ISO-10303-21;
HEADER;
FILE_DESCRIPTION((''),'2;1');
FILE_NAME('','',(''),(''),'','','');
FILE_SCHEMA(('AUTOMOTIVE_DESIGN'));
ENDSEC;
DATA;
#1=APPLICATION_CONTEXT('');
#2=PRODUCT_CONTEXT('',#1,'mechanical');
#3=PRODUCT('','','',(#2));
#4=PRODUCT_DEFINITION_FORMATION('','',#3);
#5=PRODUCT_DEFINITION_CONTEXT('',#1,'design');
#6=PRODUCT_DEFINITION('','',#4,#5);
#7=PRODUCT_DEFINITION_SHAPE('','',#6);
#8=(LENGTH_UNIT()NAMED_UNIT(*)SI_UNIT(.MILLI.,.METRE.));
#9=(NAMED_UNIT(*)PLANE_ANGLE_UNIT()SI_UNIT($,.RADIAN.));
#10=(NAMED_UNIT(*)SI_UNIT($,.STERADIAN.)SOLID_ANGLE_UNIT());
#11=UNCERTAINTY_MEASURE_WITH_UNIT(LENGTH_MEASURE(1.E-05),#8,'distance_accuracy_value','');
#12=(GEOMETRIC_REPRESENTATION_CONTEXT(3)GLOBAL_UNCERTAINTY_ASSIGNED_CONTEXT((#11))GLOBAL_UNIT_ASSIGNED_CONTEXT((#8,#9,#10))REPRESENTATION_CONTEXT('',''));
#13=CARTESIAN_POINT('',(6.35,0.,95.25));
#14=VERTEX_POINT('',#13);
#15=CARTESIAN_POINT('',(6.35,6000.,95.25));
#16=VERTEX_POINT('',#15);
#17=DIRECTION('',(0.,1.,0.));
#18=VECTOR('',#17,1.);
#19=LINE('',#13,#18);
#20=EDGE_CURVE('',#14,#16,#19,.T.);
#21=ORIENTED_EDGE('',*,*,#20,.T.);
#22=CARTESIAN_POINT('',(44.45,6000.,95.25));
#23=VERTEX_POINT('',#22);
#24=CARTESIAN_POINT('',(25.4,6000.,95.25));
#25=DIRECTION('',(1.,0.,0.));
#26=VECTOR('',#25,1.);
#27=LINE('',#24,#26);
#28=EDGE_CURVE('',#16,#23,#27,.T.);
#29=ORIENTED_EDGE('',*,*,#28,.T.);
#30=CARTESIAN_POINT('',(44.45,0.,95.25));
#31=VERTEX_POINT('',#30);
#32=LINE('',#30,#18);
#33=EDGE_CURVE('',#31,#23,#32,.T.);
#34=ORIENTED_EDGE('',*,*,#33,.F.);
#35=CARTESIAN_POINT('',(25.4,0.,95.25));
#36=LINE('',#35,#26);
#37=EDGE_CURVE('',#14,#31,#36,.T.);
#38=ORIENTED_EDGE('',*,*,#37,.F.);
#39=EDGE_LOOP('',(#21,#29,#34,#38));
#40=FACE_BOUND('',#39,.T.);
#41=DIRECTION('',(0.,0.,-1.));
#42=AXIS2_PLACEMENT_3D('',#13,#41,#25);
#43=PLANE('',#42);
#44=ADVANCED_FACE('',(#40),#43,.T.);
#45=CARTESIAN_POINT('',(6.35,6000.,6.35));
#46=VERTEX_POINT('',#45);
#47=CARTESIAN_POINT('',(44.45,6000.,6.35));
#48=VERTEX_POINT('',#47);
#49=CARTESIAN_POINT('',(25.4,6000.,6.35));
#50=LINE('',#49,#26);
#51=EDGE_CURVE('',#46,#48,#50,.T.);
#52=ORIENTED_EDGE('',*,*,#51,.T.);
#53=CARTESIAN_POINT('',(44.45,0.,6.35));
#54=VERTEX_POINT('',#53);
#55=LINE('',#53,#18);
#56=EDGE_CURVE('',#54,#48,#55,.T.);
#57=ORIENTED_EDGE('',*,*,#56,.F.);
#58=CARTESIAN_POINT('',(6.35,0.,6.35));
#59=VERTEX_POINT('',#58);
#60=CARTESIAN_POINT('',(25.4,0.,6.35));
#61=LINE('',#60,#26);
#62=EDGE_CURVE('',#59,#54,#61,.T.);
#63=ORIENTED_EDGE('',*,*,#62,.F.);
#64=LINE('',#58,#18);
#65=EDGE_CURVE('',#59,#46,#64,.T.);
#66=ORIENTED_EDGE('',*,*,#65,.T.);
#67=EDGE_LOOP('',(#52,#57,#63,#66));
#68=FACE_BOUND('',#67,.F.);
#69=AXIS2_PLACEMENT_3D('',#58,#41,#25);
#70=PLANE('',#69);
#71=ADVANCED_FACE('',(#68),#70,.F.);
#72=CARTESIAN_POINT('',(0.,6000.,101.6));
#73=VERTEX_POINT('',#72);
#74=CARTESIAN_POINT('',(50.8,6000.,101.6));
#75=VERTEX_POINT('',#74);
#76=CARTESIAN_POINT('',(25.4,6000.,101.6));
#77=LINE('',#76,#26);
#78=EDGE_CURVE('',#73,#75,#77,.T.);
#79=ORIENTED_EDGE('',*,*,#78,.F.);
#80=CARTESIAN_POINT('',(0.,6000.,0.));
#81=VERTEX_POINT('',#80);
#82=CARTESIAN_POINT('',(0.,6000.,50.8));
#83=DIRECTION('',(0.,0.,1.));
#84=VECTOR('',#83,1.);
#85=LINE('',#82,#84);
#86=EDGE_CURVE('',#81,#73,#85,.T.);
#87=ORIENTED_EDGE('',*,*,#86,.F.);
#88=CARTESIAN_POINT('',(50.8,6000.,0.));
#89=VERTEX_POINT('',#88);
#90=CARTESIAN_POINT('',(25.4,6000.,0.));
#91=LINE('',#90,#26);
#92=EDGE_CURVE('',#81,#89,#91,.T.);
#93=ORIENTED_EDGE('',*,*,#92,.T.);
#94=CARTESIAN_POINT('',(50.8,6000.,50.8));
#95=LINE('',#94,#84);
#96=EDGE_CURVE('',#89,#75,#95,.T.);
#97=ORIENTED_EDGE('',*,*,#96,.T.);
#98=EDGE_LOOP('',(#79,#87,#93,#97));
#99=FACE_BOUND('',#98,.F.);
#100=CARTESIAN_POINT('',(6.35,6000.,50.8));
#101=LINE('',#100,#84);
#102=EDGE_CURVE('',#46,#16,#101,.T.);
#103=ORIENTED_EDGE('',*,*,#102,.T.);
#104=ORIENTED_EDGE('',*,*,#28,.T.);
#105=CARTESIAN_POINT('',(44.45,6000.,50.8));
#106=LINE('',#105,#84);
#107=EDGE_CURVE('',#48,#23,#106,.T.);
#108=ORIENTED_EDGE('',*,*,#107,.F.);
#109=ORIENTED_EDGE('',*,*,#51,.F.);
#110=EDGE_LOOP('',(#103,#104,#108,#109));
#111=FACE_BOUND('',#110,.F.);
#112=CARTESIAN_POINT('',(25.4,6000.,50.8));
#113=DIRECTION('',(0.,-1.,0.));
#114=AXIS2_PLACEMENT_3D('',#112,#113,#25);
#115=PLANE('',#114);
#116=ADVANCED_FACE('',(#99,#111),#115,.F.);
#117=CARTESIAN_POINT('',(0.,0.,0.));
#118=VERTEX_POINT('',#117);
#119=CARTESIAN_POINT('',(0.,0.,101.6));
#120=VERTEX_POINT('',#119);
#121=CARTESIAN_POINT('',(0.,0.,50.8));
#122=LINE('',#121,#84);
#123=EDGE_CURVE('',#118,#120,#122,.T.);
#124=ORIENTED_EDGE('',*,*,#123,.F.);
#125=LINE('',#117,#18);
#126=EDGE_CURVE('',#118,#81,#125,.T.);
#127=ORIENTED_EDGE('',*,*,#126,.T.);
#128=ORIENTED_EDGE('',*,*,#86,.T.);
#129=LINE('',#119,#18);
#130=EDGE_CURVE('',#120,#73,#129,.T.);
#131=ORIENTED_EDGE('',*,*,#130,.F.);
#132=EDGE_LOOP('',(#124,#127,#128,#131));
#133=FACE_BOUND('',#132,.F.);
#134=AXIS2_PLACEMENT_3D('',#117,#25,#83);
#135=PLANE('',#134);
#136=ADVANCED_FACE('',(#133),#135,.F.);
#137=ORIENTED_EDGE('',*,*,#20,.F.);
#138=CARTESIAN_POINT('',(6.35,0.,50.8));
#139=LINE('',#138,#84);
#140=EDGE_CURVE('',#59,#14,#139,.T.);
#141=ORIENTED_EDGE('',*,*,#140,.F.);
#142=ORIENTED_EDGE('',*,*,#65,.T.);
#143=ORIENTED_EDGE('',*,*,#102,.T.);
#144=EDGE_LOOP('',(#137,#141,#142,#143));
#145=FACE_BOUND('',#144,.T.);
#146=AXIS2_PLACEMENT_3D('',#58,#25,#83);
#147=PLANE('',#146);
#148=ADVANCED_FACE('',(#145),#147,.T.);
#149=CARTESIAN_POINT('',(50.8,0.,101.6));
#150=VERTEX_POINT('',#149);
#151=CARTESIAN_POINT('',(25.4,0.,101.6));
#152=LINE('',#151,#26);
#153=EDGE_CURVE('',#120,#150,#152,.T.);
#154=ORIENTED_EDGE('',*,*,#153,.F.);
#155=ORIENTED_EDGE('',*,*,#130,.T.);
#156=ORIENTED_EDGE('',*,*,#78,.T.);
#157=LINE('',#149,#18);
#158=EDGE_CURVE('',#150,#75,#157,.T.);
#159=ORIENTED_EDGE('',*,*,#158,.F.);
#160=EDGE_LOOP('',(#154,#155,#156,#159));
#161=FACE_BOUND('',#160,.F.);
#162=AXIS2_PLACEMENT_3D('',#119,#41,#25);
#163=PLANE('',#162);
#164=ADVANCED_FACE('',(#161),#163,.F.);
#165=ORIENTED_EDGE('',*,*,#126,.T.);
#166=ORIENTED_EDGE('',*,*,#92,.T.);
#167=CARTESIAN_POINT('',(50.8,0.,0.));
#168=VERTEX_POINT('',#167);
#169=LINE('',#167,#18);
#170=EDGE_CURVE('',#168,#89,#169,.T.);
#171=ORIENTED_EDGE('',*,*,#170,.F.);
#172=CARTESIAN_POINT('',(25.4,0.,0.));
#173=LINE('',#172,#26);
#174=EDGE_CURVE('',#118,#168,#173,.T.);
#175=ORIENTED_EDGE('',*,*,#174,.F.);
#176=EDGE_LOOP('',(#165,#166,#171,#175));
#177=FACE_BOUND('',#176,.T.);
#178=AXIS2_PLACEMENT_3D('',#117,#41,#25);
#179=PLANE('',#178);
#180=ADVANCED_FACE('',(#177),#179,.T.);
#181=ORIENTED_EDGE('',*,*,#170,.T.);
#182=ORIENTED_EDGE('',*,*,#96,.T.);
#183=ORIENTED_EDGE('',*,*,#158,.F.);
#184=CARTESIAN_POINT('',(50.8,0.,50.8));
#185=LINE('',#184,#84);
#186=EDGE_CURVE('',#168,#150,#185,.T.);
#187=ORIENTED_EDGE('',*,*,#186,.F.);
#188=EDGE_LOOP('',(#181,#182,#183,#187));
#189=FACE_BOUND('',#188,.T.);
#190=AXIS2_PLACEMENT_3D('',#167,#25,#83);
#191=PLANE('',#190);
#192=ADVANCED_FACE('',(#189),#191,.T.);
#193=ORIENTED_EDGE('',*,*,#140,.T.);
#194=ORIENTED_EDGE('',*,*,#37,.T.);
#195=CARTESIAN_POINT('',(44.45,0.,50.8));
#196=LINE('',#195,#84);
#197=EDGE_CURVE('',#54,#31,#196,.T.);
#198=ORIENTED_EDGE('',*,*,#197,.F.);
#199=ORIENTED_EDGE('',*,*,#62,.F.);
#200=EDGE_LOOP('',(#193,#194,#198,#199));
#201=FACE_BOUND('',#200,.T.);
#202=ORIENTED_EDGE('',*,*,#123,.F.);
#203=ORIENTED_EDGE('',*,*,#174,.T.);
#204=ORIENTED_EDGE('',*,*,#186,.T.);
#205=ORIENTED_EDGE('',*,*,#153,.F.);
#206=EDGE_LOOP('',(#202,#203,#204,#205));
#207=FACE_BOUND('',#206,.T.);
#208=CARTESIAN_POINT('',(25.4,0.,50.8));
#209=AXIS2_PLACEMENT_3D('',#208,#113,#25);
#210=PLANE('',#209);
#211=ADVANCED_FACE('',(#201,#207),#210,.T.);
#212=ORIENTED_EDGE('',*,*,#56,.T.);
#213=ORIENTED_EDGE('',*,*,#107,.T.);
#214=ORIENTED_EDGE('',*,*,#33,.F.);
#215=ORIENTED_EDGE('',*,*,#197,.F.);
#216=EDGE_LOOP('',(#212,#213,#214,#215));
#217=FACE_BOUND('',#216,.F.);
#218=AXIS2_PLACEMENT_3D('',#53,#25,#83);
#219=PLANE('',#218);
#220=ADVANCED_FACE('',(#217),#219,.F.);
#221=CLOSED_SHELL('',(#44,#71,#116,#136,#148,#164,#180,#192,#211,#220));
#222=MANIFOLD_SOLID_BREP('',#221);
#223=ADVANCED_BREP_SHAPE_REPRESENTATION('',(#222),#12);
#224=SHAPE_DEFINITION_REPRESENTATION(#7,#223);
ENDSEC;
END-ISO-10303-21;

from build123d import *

# Parameters (mm, degrees)
F0_W     = 50.8
F0_H     = 101.6
F0_W_2   = 38.1
F0_H_2   = 88.9
F1_DEPTH = 6000


with BuildPart() as f1:
    # F0 (on Front) → F1 (new body)
    with BuildSketch(Plane.XZ):
        with Locations((25.4, 50.8)):
            Rectangle(F0_W, F0_H)
        with Locations((25.4, 50.8)):
            Rectangle(F0_W_2, F0_H_2, mode=Mode.SUBTRACT)
    extrude(amount=-F1_DEPTH)


solid = f1.part
